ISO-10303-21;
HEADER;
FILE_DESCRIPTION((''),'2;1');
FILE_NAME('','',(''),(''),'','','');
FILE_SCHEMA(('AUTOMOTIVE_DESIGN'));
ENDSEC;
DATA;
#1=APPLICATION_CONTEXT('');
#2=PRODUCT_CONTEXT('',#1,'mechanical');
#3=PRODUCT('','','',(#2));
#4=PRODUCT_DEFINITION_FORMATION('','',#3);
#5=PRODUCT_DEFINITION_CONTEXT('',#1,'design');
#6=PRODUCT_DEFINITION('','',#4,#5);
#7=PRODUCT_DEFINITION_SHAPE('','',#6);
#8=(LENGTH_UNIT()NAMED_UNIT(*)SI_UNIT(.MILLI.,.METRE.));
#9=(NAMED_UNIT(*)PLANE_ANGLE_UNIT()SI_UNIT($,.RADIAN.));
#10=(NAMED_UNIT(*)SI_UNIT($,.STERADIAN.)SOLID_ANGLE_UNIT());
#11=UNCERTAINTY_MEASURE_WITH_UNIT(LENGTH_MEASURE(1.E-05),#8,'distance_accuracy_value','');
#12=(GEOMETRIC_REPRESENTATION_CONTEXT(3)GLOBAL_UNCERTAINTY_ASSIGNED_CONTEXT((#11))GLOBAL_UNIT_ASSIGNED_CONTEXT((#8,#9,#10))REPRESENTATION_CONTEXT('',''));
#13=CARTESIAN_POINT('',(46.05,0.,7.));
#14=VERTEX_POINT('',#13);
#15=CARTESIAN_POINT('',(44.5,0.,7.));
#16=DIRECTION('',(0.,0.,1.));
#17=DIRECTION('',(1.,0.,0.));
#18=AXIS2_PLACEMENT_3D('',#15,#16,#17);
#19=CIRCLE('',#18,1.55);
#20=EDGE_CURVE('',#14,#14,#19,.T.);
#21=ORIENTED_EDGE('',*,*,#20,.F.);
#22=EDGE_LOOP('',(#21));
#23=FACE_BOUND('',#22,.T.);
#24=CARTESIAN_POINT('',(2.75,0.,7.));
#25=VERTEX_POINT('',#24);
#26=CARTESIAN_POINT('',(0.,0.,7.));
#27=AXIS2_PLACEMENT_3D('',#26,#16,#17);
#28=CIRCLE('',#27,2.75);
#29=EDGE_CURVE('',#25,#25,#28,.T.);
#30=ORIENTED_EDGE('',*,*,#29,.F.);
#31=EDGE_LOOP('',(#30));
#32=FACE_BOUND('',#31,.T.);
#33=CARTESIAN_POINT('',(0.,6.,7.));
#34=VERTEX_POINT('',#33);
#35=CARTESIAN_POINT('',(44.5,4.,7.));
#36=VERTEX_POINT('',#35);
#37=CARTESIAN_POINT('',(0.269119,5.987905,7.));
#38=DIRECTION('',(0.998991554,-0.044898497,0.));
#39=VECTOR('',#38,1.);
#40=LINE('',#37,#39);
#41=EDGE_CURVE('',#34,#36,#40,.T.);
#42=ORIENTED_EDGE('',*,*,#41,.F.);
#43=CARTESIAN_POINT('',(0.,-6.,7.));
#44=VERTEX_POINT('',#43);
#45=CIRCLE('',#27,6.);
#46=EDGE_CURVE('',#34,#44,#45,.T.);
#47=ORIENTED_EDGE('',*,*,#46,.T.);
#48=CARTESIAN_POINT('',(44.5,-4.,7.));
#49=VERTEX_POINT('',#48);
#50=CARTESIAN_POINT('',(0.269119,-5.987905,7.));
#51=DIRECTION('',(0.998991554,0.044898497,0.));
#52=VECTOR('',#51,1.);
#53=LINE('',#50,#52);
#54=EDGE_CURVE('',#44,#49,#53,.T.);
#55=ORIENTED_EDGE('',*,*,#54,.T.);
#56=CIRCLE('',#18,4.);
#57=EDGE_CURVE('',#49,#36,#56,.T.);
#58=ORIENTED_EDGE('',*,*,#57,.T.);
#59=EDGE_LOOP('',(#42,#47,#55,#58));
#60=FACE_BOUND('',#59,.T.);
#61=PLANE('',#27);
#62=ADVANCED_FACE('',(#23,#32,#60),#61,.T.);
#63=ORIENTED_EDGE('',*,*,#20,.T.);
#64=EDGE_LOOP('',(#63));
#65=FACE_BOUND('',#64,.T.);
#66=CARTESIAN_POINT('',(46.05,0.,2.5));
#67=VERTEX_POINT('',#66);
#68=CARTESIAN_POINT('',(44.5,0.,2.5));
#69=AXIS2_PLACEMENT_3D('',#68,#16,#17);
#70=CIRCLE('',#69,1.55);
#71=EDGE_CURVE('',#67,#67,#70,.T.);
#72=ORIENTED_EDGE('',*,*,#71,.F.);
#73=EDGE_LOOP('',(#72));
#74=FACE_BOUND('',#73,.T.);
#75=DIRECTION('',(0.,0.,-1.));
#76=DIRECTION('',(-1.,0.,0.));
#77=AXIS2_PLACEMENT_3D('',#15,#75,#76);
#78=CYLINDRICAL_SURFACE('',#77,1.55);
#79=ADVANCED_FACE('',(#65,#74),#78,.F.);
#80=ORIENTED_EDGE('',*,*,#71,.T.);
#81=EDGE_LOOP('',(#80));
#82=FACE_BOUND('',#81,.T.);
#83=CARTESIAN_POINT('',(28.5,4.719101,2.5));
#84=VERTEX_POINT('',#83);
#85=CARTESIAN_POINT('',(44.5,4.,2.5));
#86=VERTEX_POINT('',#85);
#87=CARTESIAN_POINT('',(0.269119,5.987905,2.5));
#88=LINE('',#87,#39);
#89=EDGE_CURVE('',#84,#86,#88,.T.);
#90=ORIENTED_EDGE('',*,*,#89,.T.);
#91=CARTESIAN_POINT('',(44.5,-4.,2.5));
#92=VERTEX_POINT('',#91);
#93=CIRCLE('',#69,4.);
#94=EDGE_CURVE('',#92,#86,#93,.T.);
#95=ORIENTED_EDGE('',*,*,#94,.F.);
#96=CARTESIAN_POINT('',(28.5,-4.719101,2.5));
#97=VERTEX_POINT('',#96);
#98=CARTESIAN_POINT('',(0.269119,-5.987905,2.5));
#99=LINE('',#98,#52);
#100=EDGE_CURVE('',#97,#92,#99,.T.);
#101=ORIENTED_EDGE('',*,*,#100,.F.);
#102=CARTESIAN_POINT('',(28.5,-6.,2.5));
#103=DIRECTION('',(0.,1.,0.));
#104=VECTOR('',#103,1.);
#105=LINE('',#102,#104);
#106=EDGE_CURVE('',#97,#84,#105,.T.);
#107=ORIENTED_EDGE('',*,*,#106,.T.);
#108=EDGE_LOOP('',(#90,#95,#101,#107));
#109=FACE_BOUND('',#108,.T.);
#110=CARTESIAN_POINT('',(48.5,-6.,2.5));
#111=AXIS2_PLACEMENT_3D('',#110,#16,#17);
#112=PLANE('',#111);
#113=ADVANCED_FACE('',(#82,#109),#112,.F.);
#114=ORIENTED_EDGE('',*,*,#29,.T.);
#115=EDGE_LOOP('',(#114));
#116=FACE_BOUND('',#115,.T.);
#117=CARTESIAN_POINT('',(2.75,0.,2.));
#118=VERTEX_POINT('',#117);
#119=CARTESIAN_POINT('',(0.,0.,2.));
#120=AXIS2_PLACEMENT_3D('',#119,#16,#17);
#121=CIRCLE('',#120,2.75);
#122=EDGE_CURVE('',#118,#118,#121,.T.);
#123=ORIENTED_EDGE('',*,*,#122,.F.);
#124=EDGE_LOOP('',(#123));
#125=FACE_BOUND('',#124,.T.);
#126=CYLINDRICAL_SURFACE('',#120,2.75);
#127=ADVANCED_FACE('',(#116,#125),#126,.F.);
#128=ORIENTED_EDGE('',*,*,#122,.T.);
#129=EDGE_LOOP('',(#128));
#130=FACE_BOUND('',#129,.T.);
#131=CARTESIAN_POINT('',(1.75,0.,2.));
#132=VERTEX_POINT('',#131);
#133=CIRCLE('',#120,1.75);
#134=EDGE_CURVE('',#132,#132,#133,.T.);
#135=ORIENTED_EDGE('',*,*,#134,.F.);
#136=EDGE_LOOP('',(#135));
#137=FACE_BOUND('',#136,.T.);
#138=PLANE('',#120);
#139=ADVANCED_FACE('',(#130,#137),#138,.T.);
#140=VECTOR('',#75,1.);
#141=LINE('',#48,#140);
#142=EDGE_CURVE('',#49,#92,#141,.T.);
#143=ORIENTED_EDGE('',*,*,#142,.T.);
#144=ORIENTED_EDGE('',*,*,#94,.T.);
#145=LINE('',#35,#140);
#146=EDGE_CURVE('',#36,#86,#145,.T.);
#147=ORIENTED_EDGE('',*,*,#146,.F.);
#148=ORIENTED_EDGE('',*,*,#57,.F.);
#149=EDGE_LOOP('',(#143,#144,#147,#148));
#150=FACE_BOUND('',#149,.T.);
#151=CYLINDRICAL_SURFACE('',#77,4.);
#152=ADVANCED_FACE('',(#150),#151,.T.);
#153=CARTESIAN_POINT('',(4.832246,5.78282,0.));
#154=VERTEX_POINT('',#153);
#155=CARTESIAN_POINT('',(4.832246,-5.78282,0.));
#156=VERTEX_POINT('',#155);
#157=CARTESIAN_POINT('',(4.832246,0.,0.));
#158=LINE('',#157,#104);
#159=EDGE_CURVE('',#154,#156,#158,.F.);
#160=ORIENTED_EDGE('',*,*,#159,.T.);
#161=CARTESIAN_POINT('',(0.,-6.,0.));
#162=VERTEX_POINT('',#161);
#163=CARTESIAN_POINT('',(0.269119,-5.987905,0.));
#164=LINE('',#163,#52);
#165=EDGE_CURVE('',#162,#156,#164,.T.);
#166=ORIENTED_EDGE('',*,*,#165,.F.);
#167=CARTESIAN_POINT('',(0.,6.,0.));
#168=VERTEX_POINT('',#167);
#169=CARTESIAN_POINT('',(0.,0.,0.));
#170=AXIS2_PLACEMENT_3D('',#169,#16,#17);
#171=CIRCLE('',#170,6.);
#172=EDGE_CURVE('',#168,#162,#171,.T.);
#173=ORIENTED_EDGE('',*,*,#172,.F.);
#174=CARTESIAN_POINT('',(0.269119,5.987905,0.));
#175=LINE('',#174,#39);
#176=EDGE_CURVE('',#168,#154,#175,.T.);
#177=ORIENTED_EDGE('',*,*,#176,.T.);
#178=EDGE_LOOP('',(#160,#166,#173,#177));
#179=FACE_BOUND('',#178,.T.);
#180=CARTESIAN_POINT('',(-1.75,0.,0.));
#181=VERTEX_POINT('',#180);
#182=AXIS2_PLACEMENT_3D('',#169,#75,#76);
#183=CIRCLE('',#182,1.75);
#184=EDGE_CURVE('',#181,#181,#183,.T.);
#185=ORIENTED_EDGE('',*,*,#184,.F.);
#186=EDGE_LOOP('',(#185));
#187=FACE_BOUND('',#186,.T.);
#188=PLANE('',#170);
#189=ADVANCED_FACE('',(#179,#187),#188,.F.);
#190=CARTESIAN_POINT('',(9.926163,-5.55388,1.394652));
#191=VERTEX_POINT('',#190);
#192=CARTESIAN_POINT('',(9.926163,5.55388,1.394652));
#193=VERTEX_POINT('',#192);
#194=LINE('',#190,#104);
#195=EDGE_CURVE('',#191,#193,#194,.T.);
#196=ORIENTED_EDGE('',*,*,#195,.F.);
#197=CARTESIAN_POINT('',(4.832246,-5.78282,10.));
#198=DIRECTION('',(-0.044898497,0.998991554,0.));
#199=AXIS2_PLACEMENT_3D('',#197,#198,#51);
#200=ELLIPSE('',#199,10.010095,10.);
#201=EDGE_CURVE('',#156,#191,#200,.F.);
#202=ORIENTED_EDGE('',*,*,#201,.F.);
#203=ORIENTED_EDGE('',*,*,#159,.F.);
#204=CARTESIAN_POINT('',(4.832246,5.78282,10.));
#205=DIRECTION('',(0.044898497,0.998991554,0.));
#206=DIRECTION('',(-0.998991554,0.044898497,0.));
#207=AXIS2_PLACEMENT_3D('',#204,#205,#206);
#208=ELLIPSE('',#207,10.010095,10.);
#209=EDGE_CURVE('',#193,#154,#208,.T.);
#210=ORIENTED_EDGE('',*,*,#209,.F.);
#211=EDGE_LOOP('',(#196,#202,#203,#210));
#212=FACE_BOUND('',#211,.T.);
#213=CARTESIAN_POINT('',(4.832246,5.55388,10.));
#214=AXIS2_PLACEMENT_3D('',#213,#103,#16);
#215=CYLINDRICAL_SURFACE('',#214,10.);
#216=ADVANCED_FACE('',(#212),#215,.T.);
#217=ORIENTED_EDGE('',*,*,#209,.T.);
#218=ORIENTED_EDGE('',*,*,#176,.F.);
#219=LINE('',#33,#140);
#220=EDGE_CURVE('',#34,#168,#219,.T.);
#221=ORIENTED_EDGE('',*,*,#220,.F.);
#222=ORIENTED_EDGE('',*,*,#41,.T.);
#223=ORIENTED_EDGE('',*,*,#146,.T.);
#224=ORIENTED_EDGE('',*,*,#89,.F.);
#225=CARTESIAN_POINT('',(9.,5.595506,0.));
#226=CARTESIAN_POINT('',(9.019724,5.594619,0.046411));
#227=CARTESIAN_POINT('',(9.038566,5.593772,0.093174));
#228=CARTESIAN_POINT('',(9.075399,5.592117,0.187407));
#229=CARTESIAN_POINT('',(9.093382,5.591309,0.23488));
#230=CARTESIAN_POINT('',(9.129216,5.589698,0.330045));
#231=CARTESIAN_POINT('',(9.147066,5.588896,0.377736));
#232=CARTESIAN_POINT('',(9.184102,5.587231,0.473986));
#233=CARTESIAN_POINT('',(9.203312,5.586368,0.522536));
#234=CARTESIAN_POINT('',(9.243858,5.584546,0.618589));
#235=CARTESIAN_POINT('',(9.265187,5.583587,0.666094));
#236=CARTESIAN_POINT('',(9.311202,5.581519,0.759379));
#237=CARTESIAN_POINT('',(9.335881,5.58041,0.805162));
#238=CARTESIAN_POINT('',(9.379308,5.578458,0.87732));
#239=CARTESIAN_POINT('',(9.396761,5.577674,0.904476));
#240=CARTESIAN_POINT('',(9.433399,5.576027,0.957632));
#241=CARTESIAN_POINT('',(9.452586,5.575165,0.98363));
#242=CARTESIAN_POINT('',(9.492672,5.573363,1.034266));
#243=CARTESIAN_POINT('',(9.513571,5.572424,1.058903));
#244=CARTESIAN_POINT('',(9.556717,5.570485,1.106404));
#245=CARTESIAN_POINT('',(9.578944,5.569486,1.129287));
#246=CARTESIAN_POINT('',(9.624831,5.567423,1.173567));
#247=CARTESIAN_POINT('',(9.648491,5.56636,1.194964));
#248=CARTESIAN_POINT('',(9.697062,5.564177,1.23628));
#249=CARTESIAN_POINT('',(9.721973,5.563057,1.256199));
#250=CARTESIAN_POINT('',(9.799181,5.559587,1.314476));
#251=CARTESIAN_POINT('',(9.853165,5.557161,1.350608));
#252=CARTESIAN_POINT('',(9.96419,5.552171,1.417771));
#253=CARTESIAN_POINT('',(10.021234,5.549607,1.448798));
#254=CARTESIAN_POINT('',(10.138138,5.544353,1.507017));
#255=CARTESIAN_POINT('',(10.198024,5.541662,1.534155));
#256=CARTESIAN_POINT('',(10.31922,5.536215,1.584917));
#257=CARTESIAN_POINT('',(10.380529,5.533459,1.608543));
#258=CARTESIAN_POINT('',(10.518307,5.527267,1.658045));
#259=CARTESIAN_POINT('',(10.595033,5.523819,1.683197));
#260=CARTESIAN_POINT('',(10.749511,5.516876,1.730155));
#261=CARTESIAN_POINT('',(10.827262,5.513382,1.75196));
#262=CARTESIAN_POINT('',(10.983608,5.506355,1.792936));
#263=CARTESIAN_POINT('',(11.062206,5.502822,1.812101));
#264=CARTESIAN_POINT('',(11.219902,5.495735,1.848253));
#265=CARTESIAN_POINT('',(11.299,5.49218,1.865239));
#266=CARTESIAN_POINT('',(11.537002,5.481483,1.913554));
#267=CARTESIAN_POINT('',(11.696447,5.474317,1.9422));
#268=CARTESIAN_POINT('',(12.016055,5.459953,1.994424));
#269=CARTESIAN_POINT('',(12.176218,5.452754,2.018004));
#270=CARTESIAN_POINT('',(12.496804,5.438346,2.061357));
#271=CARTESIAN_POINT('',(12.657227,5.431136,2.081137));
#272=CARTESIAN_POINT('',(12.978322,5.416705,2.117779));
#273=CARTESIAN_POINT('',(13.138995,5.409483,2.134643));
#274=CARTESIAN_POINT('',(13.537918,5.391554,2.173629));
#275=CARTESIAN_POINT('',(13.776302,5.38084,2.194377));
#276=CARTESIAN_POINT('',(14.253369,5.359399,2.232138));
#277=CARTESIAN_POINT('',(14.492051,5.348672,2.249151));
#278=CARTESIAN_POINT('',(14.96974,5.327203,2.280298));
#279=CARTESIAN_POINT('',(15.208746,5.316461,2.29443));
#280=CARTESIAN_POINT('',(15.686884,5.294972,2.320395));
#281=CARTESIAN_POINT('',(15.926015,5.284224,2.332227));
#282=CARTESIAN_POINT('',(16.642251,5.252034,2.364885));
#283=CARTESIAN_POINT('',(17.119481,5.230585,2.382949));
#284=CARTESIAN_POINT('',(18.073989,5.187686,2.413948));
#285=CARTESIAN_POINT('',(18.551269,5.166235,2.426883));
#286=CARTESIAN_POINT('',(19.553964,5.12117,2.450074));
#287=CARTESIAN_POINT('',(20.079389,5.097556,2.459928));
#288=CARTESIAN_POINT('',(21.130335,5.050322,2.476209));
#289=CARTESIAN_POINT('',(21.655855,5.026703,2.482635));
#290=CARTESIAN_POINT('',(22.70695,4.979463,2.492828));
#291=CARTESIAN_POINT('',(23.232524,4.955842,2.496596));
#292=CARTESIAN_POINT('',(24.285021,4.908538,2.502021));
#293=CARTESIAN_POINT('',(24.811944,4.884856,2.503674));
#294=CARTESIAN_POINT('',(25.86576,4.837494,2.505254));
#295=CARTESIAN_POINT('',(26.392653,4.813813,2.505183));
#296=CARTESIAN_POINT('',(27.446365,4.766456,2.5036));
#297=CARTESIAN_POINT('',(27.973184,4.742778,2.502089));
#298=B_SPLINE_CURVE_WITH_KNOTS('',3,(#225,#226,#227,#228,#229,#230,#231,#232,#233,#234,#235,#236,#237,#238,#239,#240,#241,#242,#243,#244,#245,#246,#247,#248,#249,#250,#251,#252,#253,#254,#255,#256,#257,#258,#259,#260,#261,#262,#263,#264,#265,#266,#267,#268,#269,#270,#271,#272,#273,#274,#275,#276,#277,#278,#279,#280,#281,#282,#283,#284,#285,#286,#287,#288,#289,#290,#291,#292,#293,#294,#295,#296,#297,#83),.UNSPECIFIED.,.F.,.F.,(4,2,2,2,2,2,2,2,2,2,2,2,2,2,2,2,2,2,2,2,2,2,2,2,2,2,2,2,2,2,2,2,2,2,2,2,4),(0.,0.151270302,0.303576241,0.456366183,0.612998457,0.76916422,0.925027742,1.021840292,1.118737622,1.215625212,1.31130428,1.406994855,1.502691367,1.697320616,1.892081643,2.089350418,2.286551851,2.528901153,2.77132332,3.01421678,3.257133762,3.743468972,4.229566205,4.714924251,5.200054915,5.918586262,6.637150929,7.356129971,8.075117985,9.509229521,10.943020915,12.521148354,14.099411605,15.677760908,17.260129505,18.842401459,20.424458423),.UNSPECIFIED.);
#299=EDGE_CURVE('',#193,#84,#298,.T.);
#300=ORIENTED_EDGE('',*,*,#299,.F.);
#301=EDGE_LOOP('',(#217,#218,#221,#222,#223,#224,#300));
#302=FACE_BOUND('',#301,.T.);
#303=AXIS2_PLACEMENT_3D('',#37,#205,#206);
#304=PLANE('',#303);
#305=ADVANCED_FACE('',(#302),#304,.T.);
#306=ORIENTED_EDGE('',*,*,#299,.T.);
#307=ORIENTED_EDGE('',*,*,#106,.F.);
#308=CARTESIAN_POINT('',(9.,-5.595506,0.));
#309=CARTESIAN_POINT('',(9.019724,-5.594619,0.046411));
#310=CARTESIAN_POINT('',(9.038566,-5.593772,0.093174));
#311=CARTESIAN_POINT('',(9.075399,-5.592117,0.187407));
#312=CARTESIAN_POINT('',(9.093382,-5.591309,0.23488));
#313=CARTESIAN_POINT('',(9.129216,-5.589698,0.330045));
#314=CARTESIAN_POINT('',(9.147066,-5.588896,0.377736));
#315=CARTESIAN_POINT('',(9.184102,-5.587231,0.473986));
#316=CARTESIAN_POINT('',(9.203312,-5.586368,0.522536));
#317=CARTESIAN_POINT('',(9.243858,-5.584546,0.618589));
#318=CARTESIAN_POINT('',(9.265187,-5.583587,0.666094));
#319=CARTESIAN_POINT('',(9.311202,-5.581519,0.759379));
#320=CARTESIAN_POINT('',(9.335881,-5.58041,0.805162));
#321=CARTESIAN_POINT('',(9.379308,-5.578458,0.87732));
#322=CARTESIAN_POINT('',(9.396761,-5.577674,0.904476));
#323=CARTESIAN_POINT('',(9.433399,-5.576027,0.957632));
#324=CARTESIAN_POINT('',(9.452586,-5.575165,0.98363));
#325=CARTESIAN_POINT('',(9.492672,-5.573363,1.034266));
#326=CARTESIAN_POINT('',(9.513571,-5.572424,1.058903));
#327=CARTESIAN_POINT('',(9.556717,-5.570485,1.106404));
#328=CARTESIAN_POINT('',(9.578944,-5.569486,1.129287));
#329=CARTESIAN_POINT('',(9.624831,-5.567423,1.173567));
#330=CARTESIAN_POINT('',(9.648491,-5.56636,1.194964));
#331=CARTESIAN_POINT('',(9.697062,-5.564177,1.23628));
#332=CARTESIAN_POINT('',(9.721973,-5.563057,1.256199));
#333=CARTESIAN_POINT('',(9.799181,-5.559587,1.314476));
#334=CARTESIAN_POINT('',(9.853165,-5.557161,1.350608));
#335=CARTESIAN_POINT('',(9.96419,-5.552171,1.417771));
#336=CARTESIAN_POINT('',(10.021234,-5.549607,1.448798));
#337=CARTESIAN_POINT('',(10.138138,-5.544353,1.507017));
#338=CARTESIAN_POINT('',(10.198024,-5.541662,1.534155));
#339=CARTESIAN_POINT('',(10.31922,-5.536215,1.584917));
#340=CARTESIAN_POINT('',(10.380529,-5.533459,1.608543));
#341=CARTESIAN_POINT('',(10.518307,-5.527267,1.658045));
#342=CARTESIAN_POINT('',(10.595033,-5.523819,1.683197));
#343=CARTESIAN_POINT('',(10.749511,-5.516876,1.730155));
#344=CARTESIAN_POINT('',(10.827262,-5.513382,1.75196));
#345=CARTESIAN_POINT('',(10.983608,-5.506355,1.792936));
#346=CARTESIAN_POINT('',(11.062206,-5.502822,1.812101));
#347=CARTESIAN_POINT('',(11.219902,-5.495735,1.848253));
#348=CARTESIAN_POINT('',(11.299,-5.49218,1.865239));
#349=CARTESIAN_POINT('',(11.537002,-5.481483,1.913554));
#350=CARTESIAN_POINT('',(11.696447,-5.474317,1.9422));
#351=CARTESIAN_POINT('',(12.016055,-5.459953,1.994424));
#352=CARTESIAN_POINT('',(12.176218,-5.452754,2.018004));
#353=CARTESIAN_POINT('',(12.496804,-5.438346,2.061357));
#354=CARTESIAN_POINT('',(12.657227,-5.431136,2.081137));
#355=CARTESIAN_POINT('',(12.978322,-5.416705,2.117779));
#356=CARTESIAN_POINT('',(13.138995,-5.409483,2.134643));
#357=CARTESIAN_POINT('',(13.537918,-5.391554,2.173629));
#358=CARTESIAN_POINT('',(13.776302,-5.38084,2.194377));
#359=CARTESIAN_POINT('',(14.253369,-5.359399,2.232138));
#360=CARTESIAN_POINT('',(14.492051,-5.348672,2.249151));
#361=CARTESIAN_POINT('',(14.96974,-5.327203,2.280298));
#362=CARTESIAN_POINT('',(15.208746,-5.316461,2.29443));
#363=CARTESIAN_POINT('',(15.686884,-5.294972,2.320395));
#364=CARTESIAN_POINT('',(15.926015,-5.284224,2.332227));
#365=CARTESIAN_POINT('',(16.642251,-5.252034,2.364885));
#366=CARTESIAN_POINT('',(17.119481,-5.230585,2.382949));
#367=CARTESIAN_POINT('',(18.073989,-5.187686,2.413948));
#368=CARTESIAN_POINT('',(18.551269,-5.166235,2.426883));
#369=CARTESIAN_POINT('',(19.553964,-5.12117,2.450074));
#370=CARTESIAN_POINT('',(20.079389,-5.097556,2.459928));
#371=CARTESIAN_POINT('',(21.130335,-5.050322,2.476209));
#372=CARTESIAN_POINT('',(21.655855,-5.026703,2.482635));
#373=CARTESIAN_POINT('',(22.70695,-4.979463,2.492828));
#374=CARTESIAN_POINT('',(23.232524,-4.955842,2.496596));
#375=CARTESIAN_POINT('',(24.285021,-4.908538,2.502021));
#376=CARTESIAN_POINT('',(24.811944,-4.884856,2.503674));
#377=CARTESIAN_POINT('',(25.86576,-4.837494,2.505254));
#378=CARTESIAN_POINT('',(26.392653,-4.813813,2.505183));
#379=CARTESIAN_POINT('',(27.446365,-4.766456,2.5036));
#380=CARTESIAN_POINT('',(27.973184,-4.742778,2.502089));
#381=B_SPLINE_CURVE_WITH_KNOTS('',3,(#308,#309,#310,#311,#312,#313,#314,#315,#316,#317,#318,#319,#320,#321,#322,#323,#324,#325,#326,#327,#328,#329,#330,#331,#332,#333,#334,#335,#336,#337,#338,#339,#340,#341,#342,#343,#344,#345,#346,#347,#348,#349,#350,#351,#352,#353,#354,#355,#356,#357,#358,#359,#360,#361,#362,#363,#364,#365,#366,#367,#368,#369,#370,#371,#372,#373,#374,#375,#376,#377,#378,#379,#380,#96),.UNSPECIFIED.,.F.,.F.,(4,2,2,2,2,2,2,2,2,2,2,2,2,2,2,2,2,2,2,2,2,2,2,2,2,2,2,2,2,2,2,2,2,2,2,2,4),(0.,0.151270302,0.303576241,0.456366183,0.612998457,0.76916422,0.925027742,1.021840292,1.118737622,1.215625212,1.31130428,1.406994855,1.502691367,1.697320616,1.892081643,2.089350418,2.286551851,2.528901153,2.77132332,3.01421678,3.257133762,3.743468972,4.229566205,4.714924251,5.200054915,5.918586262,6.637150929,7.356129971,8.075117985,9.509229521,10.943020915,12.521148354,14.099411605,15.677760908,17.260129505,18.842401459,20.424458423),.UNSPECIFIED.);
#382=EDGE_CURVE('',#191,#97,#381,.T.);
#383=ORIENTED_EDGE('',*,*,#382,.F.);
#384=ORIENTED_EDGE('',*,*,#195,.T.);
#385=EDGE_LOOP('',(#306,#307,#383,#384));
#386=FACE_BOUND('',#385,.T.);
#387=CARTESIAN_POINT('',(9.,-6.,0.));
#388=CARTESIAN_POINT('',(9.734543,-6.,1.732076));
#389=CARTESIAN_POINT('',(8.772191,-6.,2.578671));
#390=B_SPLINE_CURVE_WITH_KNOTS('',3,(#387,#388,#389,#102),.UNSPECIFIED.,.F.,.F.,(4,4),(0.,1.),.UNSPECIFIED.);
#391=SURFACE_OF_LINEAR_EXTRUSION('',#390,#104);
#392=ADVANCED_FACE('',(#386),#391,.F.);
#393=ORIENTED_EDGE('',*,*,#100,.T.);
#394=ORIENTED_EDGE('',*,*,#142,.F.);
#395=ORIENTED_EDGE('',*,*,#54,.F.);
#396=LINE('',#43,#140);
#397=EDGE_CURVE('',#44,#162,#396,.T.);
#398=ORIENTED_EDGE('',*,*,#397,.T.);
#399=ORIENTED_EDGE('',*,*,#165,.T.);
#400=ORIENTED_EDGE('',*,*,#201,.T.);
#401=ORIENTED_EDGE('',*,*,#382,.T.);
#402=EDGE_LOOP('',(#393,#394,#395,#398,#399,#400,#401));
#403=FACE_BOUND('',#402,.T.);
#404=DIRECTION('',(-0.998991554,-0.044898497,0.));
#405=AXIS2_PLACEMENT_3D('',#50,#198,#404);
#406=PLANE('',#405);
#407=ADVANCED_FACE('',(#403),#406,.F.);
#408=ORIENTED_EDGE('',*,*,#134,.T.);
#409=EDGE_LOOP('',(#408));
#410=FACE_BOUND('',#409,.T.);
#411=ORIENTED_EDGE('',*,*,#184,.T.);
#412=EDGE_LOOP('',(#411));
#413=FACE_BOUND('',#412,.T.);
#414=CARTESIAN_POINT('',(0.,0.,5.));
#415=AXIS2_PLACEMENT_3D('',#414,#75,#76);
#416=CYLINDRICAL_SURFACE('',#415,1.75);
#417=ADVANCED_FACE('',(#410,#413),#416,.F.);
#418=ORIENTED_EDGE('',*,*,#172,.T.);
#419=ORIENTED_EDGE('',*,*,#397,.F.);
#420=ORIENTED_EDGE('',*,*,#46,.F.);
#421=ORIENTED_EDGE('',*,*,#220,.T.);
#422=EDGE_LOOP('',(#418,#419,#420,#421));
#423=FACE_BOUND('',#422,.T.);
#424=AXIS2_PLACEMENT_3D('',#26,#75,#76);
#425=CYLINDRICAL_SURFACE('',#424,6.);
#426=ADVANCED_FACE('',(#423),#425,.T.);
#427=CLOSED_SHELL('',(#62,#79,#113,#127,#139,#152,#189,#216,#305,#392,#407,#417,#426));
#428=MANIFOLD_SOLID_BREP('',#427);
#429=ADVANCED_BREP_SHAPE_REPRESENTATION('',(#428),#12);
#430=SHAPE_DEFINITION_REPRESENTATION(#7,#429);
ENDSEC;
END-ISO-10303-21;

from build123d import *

# Parameters (mm, degrees)
SKETCH1_R               = 1.55
BOSS_EXTRUDE1_DEPTH     = 7
SKETCH2_R               = 2.75
CUT_EXTRUDE1_DEPTH      = 5
SKETCH3_R               = 1.75
CUT_EXTRUDE2_DEPTH      = 5
CUT_EXTRUDE4_DEPTH      = 7
CUT_EXTRUDE4_DEPTH_BACK = 7
FILLET1_R               = 10


with BuildPart() as part:
    # Sketch1 → Boss-Extrude1 (new body)
    with BuildSketch(Plane.XY):
        with BuildLine():
            ThreePointArc((0, 6), (-6, 0), (0, -6))
            Line((0, -6), (44.5, -4))
            ThreePointArc((44.5, -4), (48.5, 0), (44.5, 4))
            Line((44.5, 4), (0, 6))
        make_face()
        with Locations((44.5, 0)):
            Circle(SKETCH1_R, mode=Mode.SUBTRACT)
    extrude(amount=BOSS_EXTRUDE1_DEPTH)

    # Sketch2 → Cut-Extrude1 (cut)
    with BuildSketch(Plane.XY.offset(7)):
        Circle(SKETCH2_R)
    extrude(amount=-CUT_EXTRUDE1_DEPTH, mode=Mode.SUBTRACT)

    # Sketch3 → Cut-Extrude2 (cut)
    with BuildSketch(Plane(origin=(0, 0, 0), x_dir=(-1, 0, 0), z_dir=(0, 0, -1))):
        Circle(SKETCH3_R)
    extrude(amount=-CUT_EXTRUDE2_DEPTH, mode=Mode.SUBTRACT)

    # Sketch5 → Cut-Extrude4 (cut, two sides)
    with BuildSketch(Plane(origin=(0, 0, 0), x_dir=(1, 0, 0), z_dir=(0, 1, 0))) as cut_extrude4_sk:
        with BuildLine():
            Line((48.5, 0), (48.5, -2.5))
            Line((48.5, -2.5), (28.5, -2.5))
            add(Edge.make_bspline(
                [(9, 0), (9.734542775, -1.732075598), (8.772191405, -2.578671179), (28.5, -2.5)],
                knots=[0, 0, 0, 0, 1, 1, 1, 1], degree=3))
            Line((9, 0), (48.5, 0))
        make_face()
    extrude(amount=CUT_EXTRUDE4_DEPTH, mode=Mode.SUBTRACT)
    extrude(cut_extrude4_sk.sketch, amount=-CUT_EXTRUDE4_DEPTH_BACK, mode=Mode.SUBTRACT)

    # Fillet1
    fillet1_edges = [part.edges().sort_by_distance(p)[0] for p in [
        (9, 2.797752809, 0),
    ]]
    fillet(fillet1_edges, radius=FILLET1_R)


solid = part.part
